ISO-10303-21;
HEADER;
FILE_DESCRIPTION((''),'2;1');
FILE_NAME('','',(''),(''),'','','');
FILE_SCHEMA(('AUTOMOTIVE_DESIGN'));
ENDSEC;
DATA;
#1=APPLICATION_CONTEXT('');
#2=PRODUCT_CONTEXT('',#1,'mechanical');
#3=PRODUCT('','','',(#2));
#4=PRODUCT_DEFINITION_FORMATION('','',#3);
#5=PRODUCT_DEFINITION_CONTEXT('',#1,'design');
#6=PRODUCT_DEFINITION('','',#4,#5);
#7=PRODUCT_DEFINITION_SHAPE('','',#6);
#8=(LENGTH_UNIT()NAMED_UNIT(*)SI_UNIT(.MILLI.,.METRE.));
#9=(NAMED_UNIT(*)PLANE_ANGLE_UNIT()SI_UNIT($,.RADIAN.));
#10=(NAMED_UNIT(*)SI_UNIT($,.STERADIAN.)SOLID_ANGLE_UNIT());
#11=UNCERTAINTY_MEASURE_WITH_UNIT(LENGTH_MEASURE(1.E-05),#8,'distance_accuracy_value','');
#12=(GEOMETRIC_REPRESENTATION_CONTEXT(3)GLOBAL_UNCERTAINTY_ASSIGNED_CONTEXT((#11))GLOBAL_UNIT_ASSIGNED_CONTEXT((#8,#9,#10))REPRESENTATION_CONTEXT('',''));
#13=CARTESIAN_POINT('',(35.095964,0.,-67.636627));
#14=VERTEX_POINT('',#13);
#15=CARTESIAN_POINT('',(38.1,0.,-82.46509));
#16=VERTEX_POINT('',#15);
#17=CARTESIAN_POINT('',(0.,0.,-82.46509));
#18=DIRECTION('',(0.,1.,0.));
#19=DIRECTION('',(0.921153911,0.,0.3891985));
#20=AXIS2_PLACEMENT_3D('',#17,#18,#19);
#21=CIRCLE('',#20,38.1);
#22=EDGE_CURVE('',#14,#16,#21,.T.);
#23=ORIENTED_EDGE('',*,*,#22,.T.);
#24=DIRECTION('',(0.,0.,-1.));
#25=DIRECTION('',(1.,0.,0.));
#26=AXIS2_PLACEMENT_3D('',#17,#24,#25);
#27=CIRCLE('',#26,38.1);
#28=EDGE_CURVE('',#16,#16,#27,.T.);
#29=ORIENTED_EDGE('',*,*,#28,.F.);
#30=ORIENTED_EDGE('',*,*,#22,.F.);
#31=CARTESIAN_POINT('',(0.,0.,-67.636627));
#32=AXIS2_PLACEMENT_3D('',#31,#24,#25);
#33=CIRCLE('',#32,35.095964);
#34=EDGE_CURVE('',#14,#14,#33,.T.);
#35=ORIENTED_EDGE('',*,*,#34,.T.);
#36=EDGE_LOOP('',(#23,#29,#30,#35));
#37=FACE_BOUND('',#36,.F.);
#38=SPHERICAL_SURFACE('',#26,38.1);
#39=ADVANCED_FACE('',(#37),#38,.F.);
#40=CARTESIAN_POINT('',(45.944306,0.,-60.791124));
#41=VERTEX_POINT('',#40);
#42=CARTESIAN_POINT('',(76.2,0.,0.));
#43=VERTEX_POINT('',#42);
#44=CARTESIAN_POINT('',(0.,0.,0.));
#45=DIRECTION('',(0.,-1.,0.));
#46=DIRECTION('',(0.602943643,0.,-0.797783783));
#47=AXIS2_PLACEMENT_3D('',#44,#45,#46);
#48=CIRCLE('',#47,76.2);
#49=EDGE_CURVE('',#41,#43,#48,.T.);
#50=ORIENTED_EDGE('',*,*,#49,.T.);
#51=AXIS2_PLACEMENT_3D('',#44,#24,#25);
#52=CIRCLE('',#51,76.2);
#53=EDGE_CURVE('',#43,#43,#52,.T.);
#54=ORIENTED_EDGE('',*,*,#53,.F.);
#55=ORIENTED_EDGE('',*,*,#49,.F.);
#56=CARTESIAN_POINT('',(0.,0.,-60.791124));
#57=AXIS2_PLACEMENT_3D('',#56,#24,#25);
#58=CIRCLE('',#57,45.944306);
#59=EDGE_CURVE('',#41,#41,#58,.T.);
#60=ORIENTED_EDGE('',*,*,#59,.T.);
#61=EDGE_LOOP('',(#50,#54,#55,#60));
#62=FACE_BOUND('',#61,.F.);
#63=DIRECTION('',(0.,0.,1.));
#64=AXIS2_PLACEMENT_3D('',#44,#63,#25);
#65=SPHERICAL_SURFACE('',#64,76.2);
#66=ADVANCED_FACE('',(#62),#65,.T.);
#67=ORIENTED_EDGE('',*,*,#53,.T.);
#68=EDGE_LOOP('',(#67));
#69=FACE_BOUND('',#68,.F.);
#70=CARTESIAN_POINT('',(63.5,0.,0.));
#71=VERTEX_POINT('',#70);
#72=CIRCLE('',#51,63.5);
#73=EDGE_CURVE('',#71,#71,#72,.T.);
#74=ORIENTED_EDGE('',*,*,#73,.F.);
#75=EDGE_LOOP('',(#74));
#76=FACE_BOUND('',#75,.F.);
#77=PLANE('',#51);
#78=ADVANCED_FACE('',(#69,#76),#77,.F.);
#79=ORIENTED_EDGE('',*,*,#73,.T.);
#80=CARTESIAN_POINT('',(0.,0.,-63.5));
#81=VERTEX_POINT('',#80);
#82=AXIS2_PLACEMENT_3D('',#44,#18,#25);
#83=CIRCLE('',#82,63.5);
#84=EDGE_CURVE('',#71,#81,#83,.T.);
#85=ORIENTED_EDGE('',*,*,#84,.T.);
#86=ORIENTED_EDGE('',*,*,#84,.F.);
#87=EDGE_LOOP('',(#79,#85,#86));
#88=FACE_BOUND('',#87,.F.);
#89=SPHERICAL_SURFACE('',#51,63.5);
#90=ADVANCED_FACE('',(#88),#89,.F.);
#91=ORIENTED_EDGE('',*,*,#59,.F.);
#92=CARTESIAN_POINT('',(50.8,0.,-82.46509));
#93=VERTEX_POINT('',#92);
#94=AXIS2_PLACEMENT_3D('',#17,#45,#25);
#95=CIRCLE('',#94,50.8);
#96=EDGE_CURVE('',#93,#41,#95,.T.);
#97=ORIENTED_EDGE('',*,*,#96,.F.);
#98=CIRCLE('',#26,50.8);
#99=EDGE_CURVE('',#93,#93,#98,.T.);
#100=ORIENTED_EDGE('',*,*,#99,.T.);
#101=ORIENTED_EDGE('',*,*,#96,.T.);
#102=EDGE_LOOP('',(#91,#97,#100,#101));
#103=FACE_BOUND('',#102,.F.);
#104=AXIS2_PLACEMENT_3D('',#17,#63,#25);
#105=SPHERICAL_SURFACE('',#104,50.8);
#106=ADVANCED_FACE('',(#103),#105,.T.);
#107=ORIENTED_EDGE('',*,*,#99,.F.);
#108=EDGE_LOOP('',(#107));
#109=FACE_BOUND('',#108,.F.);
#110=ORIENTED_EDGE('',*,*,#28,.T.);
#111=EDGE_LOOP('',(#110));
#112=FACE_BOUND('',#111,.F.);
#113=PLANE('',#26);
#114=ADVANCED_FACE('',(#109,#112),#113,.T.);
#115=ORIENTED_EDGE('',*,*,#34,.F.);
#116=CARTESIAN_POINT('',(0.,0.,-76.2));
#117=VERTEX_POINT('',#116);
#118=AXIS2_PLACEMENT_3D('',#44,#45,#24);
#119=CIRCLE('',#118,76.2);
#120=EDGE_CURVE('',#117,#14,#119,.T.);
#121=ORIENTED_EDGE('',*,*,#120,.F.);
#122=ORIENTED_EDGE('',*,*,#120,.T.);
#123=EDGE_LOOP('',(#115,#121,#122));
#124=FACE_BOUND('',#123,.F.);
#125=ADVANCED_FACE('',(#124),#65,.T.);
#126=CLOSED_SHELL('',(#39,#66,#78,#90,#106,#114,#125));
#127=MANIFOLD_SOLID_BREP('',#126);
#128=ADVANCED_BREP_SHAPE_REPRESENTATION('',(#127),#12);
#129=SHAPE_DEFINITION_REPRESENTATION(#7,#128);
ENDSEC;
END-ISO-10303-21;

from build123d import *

# Parameters (mm, degrees)
F3_SCALE = 2


with BuildPart() as f2:
    # F1 (on Front) → F2 (revolve)
    with BuildSketch(Plane.XZ):
        with BuildLine():
            Line((19.05, -41.2325449288), (25.4, -41.2325449288))
            ThreePointArc((25.4, -41.2325449288), (24.7856075246, -35.6797384638), (22.9721527844, -30.3955621177))
            ThreePointArc((22.9721527844, -30.3955621177), (34.1090092284, -16.9760269043), (38.1, 0))
            Line((38.1, 0), (31.75, 0))
            ThreePointArc((31.75, 0), (22.4506403027, -22.4506403027), (0, -31.75))
            Line((0, -31.75), (0, -38.1))
            ThreePointArc((0, -38.1), (9.0313967854, -37.0141036918), (17.5479819998, -33.8183134963))
            ThreePointArc((17.5479819998, -33.8183134963), (18.6707198187, -37.4501222327), (19.05, -41.2325449288))
        make_face()
    revolve(axis=Axis((0, 0, 1.3704523444), (0, 0, -1)))


with BuildPart() as f2_1:
    # F3: moved
    add(f2.part.scale(F3_SCALE))


solid = f2_1.part
